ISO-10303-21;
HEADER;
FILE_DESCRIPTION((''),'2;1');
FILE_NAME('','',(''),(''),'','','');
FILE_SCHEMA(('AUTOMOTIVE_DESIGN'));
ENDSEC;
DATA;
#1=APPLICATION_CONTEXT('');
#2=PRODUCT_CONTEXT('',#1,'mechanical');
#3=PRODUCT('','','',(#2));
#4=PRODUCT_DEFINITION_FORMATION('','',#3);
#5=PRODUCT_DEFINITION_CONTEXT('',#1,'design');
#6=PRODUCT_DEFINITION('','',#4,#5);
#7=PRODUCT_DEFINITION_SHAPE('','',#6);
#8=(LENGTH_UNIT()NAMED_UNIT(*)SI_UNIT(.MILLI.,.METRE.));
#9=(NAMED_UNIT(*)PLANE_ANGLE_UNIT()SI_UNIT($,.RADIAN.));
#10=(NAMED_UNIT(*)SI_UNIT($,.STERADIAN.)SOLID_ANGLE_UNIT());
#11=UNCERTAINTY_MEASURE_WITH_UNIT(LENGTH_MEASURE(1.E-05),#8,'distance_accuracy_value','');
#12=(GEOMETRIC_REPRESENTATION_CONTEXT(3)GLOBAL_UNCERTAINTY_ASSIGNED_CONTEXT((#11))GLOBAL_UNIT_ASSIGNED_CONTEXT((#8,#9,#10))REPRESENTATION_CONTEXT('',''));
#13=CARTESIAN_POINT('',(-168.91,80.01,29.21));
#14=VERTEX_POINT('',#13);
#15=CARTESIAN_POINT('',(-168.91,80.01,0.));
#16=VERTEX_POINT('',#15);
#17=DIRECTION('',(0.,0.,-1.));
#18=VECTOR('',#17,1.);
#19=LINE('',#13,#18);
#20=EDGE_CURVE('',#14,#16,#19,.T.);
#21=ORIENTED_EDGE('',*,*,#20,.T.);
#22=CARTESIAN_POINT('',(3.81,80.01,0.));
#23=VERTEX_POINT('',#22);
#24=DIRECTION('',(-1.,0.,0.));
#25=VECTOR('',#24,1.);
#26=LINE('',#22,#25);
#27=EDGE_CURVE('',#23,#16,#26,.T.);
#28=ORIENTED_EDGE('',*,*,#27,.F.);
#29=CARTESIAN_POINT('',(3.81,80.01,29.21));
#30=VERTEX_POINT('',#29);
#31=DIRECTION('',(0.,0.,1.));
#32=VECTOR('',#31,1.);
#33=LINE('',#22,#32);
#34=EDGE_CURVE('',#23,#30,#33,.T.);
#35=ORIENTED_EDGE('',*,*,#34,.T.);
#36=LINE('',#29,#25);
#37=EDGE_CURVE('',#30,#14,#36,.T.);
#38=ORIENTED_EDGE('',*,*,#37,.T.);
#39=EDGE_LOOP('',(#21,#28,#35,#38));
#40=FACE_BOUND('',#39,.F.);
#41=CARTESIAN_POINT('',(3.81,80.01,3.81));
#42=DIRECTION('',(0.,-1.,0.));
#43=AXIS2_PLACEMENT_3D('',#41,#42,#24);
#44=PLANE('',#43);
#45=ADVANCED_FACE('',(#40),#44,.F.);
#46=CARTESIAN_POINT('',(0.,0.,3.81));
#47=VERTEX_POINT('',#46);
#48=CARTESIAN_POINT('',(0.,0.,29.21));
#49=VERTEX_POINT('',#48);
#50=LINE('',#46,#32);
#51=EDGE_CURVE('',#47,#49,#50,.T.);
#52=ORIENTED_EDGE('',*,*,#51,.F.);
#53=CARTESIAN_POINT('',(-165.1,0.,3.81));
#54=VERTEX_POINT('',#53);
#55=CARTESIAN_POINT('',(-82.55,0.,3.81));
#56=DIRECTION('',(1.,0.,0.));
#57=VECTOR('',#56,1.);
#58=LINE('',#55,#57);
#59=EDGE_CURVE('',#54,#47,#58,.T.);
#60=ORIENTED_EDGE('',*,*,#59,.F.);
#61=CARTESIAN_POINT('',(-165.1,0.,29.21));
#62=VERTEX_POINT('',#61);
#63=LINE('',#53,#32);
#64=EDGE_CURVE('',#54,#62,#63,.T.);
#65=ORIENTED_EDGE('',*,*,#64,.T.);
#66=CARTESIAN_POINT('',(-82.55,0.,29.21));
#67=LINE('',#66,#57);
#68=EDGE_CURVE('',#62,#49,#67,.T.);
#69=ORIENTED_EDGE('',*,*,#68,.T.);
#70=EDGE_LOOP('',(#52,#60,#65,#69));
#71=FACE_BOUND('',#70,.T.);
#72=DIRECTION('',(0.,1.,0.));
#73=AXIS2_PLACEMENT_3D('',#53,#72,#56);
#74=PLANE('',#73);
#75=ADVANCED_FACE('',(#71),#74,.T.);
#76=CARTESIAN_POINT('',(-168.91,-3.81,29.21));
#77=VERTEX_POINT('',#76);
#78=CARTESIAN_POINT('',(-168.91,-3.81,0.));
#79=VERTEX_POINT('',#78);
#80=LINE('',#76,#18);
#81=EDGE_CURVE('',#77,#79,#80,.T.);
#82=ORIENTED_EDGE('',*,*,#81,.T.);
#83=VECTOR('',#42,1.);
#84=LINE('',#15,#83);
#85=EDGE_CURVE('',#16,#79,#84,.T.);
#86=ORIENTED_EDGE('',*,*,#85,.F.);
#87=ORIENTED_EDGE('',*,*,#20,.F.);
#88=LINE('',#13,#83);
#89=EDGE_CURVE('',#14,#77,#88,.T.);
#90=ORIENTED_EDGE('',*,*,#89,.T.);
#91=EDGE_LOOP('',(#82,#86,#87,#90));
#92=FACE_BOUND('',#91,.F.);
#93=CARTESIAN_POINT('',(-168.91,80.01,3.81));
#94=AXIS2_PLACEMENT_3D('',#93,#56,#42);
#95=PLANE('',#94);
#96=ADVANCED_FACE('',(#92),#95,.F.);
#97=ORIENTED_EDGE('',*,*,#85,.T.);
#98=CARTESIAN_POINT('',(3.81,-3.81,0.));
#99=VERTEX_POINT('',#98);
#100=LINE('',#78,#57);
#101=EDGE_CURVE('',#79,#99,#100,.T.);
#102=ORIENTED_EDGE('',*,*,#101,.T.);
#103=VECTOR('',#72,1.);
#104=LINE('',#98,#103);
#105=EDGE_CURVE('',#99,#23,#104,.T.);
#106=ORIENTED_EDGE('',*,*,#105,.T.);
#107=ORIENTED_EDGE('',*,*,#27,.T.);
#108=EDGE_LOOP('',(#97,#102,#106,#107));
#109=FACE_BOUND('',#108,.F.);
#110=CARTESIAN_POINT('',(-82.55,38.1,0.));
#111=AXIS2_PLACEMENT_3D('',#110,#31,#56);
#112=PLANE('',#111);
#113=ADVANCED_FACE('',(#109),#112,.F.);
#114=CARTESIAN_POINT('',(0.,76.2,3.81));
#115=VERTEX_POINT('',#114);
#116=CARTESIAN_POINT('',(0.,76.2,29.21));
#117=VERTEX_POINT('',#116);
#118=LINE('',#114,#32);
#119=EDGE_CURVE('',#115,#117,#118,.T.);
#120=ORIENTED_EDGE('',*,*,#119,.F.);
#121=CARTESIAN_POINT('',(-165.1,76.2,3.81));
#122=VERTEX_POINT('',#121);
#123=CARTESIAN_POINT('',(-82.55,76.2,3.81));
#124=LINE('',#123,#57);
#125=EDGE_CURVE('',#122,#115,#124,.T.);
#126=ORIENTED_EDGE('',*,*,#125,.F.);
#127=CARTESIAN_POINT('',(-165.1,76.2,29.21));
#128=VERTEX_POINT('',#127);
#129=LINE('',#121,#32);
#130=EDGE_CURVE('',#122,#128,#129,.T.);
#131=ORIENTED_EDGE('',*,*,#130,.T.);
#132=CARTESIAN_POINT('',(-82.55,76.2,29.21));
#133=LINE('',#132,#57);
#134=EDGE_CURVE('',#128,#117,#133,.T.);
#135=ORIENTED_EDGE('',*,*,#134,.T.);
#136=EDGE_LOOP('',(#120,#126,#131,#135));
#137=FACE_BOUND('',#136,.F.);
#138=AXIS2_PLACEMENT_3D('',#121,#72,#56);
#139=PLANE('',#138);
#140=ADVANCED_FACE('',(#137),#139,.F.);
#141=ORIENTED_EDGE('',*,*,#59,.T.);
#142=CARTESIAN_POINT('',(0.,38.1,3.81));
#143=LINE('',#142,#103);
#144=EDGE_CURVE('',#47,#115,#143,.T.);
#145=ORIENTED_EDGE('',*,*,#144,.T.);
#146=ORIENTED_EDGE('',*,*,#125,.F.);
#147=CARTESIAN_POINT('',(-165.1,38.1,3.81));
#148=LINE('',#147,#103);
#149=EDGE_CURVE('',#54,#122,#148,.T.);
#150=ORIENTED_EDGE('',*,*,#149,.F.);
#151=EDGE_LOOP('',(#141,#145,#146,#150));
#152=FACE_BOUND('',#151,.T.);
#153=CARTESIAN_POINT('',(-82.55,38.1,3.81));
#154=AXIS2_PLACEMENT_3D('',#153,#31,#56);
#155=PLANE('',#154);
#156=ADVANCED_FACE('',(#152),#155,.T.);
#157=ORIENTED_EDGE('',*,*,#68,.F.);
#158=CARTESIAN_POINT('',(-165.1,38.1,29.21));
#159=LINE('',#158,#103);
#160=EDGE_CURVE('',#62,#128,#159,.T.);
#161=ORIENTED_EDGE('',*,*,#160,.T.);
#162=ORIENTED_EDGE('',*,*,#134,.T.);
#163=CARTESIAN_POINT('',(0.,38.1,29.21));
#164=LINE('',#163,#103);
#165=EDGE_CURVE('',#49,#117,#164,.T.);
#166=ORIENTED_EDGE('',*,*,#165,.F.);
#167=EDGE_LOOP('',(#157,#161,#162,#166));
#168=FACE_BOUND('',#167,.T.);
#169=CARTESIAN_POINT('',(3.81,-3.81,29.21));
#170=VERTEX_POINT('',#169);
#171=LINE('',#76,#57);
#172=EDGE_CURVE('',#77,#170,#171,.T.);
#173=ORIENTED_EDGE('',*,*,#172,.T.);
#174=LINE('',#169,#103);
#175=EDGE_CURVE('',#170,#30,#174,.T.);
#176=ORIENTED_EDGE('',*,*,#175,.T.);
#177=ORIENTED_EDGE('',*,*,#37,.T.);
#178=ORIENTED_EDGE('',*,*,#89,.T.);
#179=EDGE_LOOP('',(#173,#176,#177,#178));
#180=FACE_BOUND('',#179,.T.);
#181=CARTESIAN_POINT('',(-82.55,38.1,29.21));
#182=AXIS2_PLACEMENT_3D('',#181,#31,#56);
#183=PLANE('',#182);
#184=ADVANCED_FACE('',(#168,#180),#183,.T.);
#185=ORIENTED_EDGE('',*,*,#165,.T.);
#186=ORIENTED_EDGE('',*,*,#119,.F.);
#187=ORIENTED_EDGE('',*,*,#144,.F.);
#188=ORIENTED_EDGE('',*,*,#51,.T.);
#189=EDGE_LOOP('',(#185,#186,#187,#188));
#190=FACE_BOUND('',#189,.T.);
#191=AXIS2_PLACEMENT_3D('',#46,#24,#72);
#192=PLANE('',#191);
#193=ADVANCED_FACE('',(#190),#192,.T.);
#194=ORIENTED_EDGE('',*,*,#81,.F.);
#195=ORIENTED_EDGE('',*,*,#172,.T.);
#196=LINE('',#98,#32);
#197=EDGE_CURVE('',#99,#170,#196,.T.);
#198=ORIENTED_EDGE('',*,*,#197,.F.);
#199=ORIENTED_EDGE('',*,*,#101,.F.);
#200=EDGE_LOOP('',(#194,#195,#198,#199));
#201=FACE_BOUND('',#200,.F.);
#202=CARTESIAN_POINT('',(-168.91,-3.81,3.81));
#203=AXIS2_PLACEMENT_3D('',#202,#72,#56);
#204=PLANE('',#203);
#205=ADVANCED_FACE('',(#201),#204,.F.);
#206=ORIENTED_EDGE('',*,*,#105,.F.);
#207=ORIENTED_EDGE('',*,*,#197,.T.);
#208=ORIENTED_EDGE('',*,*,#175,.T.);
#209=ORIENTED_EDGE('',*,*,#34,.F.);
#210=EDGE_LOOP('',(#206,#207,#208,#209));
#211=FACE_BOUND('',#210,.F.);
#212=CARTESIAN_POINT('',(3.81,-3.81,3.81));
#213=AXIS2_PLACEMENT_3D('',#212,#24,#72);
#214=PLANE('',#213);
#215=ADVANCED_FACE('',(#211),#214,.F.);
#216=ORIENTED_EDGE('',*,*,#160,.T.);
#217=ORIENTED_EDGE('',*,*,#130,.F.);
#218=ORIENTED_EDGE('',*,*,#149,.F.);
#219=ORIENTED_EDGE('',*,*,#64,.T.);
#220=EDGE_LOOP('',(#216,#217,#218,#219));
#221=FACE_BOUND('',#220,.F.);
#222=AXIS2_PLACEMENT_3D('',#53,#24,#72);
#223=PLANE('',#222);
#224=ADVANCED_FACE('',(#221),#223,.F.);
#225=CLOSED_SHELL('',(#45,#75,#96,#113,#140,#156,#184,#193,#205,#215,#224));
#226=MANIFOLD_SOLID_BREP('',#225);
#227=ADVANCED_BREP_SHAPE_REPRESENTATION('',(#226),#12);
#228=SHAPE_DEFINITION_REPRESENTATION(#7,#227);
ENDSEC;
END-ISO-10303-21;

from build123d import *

# Parameters (mm, degrees)
F1_DEPTH = 3.81
F2_W     = 165.1
F2_H     = 76.2
F3_DEPTH = 25.4


with BuildPart() as f1:
    # F0 (on Top) → F1 (new body)
    with BuildSketch(Plane.XY):
        Polygon((-168.91, -3.81), (0, -3.81), (3.81, -3.81), (3.81, 0), (3.81, 80.01), (-165.1, 80.01), (-168.91, 80.01), (-168.91, 76.2), align=None)
    extrude(amount=F1_DEPTH)

    # F2 (on face) → F3 (join)
    with BuildSketch(Plane.XY.offset(3.81)):
        Polygon((-168.91, -3.81), (0, -3.81), (3.81, -3.81), (3.81, 0), (3.81, 80.01), (-165.1, 80.01), (-168.91, 80.01), (-168.91, 76.2), align=None)
        with Locations((-82.55, 38.1)):
            Rectangle(F2_W, F2_H, mode=Mode.SUBTRACT)
    extrude(amount=F3_DEPTH)


solid = f1.part
